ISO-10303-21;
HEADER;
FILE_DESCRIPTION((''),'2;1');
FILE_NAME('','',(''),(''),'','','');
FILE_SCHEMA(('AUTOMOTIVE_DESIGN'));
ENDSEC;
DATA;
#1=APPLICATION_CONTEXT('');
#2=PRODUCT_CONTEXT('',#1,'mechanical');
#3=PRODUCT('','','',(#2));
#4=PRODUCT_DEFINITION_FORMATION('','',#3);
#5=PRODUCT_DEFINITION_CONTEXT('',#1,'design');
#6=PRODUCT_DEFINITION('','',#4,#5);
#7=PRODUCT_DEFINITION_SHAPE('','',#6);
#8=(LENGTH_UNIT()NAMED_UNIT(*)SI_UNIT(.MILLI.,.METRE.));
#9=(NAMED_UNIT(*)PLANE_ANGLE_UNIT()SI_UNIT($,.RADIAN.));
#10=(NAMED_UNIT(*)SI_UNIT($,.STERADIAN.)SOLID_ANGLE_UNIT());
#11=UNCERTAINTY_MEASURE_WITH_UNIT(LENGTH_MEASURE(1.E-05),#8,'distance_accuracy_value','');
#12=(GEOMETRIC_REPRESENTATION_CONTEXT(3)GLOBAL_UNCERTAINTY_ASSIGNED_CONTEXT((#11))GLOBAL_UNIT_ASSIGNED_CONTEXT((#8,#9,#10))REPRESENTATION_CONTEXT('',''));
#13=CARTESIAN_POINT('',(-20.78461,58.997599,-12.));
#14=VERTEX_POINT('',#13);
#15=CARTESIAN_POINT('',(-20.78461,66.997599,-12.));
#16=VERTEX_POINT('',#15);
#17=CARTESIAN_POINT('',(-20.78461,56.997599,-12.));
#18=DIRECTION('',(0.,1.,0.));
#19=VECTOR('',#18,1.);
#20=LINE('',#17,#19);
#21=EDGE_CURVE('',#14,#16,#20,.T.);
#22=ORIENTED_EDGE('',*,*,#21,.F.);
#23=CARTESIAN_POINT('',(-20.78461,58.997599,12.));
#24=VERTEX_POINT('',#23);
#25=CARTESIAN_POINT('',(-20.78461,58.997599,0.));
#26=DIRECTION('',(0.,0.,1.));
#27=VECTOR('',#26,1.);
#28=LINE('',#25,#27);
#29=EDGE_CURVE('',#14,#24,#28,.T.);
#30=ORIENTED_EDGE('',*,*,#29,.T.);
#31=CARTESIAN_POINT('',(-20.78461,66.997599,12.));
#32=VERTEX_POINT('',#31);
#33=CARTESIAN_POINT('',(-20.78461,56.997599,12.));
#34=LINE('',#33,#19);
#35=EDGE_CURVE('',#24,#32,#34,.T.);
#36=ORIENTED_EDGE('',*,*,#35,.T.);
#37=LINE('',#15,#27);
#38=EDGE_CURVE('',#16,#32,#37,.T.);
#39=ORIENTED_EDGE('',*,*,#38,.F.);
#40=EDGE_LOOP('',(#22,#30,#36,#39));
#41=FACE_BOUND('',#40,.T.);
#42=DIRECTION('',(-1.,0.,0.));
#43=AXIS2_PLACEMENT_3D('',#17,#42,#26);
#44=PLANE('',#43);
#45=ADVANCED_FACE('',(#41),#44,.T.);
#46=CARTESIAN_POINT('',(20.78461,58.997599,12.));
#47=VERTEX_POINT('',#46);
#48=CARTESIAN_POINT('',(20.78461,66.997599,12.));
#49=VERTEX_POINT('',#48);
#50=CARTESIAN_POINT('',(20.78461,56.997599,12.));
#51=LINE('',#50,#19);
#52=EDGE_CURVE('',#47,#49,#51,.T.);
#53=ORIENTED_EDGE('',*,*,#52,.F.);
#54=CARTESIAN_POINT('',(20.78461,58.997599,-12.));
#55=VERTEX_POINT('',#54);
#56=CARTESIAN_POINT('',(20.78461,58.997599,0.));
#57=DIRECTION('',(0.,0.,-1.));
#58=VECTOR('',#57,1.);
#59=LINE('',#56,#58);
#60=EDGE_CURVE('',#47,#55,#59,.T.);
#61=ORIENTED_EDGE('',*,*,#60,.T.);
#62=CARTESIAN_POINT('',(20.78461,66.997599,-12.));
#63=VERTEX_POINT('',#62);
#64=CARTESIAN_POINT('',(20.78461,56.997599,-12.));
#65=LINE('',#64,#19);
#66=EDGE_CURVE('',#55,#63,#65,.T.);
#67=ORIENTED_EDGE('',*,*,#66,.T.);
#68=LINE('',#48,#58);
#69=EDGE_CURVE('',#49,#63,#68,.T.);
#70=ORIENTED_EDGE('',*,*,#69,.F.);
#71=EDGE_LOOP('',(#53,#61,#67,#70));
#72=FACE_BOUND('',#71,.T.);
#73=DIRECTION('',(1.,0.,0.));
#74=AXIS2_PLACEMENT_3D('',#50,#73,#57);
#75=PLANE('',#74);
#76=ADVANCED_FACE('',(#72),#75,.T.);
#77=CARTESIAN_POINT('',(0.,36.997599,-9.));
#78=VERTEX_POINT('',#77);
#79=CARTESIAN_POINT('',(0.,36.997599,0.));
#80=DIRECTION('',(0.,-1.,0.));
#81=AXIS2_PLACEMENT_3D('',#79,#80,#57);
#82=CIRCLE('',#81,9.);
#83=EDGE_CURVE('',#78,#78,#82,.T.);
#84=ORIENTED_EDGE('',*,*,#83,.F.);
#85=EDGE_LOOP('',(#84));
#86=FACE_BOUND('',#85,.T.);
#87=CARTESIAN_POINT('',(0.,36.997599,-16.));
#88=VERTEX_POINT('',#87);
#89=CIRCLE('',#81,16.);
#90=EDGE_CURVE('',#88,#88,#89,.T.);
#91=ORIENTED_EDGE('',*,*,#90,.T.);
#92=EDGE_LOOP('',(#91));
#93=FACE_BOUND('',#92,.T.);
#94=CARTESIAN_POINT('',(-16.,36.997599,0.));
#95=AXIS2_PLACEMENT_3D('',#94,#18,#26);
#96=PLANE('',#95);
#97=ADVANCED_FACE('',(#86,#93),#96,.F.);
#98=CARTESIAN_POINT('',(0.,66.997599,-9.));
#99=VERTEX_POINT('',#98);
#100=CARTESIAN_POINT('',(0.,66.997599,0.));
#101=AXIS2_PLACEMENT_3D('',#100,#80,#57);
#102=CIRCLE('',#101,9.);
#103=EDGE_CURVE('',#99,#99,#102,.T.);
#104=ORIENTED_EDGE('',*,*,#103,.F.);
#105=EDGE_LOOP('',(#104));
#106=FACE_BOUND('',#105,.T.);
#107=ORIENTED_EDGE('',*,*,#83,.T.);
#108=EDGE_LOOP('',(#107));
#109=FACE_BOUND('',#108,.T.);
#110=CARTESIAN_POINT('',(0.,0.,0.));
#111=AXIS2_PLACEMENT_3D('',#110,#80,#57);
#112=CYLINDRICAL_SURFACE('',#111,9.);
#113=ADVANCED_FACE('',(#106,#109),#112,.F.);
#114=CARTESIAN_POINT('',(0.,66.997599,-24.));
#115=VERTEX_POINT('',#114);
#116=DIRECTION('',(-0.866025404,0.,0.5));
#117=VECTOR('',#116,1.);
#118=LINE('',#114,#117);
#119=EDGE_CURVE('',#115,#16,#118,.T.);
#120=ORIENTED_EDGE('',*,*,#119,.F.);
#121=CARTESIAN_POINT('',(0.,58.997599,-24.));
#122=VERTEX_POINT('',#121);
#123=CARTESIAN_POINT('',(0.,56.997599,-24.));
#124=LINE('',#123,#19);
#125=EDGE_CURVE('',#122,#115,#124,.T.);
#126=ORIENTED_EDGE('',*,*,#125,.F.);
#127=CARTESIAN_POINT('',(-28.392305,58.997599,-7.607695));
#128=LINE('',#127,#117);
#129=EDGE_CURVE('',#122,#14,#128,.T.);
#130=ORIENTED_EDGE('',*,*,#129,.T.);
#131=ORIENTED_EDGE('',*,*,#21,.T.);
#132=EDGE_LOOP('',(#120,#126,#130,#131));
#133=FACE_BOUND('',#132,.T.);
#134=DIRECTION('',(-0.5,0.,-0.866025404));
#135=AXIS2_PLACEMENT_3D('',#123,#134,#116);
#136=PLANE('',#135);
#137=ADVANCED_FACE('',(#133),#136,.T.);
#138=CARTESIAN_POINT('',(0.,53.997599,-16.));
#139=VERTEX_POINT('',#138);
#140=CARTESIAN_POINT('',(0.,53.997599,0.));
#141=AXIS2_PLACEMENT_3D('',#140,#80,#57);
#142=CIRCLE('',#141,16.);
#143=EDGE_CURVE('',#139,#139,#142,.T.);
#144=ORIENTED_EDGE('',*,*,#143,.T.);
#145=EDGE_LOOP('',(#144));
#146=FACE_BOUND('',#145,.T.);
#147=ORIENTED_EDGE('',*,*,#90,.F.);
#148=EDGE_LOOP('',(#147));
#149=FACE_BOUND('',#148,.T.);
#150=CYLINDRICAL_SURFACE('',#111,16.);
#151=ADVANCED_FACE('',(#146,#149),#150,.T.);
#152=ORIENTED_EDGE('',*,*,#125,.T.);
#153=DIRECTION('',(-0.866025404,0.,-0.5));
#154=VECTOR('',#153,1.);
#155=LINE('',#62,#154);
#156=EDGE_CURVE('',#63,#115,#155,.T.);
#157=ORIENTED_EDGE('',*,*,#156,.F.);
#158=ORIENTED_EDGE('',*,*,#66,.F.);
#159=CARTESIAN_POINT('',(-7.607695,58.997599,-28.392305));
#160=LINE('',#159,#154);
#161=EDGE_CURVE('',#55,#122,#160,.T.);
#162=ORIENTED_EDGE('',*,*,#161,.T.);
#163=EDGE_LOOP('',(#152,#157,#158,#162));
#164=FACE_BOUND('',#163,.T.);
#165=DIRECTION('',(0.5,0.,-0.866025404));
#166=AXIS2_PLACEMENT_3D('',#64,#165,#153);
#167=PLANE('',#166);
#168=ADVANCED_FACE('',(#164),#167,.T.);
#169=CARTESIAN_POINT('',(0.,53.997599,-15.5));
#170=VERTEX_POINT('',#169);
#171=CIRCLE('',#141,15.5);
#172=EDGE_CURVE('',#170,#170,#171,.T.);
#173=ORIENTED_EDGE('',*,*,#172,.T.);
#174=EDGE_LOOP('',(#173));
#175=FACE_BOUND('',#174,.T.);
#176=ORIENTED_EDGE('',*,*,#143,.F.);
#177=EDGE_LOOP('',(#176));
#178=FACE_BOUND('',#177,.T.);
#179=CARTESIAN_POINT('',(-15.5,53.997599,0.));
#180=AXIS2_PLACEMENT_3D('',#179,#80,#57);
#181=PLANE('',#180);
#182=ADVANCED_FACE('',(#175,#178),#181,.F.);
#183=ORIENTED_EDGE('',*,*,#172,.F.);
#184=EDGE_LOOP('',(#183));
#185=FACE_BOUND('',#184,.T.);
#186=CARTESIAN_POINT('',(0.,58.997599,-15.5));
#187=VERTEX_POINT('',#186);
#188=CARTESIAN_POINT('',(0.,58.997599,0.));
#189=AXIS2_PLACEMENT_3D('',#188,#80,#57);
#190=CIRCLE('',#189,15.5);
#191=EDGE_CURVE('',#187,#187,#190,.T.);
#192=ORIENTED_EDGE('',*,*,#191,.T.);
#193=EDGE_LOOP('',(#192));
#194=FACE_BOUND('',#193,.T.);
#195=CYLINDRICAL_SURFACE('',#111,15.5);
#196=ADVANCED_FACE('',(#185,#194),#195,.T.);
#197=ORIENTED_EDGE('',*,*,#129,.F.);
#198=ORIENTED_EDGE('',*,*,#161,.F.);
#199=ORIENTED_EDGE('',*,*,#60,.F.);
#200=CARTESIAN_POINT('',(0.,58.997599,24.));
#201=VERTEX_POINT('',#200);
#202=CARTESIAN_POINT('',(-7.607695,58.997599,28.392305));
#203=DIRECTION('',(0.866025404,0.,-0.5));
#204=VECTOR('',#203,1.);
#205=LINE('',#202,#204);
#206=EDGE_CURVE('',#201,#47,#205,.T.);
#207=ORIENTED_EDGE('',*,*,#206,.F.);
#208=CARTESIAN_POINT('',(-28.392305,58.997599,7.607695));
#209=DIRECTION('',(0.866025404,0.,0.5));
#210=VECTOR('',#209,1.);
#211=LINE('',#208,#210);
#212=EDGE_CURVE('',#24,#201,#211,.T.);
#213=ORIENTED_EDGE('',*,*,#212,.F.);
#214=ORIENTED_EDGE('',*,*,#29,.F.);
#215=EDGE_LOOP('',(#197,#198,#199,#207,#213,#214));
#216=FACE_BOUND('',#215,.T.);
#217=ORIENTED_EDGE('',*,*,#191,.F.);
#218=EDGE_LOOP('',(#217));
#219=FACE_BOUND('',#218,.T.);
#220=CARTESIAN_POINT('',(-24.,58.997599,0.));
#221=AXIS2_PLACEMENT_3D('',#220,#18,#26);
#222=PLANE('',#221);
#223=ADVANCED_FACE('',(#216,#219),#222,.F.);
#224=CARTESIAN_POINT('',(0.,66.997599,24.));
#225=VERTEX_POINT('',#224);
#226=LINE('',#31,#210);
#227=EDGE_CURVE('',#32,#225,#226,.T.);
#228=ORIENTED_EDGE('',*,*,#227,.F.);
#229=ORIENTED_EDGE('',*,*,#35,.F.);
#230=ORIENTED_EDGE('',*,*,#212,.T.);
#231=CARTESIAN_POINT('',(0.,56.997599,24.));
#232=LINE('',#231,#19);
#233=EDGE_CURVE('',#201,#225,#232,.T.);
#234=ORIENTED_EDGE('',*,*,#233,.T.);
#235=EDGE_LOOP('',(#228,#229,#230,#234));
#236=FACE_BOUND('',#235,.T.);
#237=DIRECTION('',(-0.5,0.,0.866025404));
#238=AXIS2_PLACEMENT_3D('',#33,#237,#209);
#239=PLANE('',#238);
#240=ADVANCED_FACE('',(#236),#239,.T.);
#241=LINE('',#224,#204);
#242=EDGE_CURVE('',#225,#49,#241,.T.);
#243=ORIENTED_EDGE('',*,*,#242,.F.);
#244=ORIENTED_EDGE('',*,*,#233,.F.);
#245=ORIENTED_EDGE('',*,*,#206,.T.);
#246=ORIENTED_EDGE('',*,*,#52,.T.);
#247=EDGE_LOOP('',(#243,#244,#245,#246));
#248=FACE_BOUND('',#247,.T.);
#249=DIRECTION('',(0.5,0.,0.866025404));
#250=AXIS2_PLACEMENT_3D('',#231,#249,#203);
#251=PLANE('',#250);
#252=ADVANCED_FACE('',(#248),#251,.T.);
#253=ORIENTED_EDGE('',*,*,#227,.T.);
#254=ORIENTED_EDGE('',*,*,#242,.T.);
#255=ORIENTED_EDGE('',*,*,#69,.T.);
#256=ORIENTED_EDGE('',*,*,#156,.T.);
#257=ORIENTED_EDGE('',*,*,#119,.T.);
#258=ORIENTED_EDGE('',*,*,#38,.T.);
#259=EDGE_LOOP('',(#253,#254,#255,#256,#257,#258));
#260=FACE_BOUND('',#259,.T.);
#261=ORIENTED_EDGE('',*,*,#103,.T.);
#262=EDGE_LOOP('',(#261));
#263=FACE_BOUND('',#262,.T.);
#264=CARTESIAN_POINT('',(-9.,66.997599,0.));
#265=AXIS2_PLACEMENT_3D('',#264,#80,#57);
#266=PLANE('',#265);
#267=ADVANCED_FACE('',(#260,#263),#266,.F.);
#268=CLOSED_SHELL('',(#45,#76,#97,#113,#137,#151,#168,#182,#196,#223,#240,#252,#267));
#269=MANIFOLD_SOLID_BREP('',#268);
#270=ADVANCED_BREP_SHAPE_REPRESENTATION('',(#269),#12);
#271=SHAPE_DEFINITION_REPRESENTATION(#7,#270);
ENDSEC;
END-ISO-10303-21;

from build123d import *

# Parameters (mm, degrees)
SKETCH2_R          = 28.855655256
CUT_EXTRUDE1_DEPTH = 10


with BuildPart() as part:
    # Sketch1 → Revolve1 (revolve)
    with BuildSketch(Plane.XY, mode=Mode.PRIVATE) as revolve1_sk:
        Polygon((-9, 66.99759887), (-24, 66.99759887), (-24, 58.99759887), (-15.5, 58.99759887), (-15.5, 53.99759887), (-16, 53.99759887), (-16, 36.99759887), (-9, 36.99759887), align=None)
    revolve(revolve1_sk.sketch.rotate(Axis((0, 0, 0), (0, 1, 0)), 270), axis=Axis((0, 0, 0), (0, 1, 0)))

    # Sketch2 → Cut-Extrude1 (cut)
    with BuildSketch(Plane(origin=(0, 66.99759887, 0), x_dir=(-1, 0, 0), z_dir=(0, 1, 0))):
        Circle(SKETCH2_R)
        Polygon((0, -24), (20.784609691, -12), (20.784609691, 12), (0, 24), (-20.784609691, 12), (-20.784609691, -12), align=None, mode=Mode.SUBTRACT)
    extrude(amount=-CUT_EXTRUDE1_DEPTH, mode=Mode.SUBTRACT)


solid = part.part
